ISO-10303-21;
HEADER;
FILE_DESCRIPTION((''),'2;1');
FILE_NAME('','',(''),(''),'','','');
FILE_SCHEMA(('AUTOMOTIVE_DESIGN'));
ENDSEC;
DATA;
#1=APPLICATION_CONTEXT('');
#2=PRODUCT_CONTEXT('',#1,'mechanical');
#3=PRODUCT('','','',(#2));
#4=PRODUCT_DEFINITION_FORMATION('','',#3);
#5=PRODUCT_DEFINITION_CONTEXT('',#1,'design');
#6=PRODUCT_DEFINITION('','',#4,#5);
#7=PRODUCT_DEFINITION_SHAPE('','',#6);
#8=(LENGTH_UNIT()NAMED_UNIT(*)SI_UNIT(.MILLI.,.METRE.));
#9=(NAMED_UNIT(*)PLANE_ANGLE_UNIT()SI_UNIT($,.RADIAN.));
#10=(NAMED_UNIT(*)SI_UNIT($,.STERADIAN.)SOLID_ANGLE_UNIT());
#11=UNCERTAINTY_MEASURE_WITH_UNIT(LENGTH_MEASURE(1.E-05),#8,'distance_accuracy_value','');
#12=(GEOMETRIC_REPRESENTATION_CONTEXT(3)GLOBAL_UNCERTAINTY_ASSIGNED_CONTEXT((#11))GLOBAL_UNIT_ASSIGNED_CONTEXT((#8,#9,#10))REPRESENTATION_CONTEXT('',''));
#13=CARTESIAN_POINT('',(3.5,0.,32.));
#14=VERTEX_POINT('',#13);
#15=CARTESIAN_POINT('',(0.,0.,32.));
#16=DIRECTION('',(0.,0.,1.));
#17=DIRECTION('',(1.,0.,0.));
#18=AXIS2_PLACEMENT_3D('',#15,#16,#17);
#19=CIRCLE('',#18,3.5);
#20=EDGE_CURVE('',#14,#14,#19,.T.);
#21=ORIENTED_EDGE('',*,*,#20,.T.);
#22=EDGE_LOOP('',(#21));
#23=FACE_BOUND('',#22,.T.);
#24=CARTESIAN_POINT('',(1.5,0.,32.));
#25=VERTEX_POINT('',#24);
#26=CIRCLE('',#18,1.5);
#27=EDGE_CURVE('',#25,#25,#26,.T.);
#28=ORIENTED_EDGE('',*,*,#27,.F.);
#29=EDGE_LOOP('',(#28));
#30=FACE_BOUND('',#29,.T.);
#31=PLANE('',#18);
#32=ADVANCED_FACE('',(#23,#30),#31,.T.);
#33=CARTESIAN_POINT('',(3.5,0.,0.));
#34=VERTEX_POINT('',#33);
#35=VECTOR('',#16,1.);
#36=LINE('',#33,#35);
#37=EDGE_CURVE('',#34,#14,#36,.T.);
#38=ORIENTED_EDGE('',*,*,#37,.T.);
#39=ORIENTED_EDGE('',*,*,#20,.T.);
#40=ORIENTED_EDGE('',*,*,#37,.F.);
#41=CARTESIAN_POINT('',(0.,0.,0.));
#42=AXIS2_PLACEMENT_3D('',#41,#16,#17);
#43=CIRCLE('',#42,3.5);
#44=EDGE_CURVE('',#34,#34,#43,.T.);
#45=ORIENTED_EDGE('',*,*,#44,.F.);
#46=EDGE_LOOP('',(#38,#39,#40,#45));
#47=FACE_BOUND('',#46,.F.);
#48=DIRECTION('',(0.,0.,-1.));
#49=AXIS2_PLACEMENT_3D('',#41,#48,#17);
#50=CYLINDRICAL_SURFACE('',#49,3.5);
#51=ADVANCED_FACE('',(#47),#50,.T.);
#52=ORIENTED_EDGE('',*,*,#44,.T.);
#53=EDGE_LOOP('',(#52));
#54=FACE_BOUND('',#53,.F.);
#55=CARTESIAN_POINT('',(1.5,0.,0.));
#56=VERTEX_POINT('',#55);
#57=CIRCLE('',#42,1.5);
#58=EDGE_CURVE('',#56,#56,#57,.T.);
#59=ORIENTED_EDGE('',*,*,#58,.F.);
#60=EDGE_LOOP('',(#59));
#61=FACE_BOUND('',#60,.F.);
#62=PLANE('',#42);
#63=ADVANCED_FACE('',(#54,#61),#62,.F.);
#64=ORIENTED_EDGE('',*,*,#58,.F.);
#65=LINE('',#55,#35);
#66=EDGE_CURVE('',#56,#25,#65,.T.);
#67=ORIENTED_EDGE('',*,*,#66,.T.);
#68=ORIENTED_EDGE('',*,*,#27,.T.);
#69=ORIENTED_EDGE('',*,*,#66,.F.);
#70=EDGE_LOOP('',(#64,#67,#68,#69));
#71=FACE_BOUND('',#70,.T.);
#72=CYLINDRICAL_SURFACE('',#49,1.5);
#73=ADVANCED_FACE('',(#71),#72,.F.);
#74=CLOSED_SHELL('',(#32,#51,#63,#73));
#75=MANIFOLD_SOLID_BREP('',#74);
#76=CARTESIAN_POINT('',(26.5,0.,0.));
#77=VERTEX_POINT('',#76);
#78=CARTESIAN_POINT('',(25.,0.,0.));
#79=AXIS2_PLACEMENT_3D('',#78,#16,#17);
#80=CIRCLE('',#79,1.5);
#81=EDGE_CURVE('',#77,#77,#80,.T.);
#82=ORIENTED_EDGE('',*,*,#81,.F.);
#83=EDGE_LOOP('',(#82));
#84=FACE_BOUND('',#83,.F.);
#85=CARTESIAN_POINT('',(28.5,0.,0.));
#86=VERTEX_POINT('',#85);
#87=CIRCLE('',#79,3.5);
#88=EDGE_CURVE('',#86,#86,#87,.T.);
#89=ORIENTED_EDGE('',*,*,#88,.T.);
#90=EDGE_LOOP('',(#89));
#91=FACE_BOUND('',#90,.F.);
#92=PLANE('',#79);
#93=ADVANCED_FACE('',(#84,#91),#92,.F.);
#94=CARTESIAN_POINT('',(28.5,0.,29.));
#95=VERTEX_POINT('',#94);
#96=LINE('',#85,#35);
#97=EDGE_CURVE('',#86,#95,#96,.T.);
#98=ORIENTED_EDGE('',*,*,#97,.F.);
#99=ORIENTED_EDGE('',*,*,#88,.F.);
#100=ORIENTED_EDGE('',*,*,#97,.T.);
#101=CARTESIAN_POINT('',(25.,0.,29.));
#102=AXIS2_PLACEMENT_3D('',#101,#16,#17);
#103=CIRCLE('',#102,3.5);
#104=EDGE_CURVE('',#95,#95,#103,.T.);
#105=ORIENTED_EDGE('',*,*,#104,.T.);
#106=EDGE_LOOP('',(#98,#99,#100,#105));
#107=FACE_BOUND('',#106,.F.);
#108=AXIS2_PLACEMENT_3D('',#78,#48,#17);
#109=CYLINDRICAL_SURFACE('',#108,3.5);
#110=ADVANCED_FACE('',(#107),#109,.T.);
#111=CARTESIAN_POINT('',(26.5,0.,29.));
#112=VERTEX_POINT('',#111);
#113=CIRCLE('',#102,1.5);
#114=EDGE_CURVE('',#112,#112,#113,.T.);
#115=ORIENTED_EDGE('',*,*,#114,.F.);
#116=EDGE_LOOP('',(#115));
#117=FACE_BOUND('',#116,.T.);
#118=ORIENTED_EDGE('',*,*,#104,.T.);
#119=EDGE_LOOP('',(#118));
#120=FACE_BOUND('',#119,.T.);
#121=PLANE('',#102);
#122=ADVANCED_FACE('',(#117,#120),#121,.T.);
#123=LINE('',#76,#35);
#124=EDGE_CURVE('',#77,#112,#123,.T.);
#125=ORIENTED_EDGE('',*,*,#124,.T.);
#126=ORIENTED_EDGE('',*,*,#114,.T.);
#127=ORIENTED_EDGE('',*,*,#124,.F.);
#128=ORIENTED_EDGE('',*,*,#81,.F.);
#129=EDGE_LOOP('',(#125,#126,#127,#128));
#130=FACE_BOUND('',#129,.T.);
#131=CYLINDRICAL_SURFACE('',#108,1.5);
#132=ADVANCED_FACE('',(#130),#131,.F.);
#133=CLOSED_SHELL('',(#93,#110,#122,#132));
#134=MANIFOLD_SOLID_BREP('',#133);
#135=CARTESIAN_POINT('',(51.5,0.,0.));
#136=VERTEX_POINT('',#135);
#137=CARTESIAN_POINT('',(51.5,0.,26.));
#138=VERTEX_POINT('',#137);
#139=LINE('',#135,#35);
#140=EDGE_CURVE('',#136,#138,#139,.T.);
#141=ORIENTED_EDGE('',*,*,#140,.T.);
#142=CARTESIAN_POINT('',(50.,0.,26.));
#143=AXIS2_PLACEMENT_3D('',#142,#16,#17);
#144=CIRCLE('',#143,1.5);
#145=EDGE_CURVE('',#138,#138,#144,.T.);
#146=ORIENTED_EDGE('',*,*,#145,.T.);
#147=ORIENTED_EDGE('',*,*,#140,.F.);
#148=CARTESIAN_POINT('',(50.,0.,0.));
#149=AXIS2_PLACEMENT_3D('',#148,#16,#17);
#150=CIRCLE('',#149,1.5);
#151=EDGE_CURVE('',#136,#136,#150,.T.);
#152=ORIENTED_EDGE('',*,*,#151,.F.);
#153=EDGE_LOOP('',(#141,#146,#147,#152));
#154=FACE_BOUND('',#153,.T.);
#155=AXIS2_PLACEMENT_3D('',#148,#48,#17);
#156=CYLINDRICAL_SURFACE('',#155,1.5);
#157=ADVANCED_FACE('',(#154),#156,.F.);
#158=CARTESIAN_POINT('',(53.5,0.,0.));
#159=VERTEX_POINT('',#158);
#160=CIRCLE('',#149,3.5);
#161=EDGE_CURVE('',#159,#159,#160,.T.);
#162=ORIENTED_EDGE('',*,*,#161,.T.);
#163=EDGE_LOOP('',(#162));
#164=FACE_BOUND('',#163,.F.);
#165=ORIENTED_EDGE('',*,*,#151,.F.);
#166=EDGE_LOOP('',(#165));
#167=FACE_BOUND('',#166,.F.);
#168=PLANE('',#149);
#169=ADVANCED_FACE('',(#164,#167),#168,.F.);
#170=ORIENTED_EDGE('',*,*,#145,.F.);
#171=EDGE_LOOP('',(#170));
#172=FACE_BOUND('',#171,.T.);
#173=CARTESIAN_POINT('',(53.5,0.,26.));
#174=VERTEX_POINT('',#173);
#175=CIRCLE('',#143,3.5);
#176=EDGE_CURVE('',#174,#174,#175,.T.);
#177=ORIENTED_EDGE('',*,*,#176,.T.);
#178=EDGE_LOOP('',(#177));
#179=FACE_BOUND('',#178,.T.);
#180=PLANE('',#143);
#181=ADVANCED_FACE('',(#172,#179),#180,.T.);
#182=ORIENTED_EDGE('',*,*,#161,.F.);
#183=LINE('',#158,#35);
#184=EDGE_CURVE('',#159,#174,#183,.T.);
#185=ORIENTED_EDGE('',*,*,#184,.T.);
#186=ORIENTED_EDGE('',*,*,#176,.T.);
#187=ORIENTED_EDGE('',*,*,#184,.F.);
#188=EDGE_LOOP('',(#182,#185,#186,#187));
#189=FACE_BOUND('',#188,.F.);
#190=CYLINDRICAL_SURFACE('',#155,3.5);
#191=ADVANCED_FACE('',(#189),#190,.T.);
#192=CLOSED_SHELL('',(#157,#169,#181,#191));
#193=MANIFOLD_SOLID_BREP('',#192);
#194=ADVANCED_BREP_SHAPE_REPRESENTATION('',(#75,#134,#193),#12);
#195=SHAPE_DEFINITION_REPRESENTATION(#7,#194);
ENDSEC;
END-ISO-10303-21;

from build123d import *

# Parameters (mm, degrees)
F0_R     = 3.5
F0_R_2   = 1.5
F1_DEPTH = 32
F2_DEPTH = 29
F3_DEPTH = 26


with BuildPart() as f1:
    # F0 (on Top) → F1 (new body)
    with BuildSketch(Plane.XY):
        Circle(F0_R)
        Circle(F0_R_2, mode=Mode.SUBTRACT)
    extrude(amount=F1_DEPTH)


with BuildPart() as f2:
    # F0 (on Top) → F2 (new body)
    with BuildSketch(Plane.XY):
        with Locations((25, 0)):
            Circle(F0_R)
        with Locations((25, 0)):
            Circle(F0_R_2, mode=Mode.SUBTRACT)
    extrude(amount=F2_DEPTH)


with BuildPart() as f3:
    # F0 (on Top) → F3 (new body)
    with BuildSketch(Plane.XY):
        with Locations((50, 0)):
            Circle(F0_R)
        with Locations((50, 0)):
            Circle(F0_R_2, mode=Mode.SUBTRACT)
    extrude(amount=F3_DEPTH)


solid = Compound([f1.part, f2.part, f3.part])
